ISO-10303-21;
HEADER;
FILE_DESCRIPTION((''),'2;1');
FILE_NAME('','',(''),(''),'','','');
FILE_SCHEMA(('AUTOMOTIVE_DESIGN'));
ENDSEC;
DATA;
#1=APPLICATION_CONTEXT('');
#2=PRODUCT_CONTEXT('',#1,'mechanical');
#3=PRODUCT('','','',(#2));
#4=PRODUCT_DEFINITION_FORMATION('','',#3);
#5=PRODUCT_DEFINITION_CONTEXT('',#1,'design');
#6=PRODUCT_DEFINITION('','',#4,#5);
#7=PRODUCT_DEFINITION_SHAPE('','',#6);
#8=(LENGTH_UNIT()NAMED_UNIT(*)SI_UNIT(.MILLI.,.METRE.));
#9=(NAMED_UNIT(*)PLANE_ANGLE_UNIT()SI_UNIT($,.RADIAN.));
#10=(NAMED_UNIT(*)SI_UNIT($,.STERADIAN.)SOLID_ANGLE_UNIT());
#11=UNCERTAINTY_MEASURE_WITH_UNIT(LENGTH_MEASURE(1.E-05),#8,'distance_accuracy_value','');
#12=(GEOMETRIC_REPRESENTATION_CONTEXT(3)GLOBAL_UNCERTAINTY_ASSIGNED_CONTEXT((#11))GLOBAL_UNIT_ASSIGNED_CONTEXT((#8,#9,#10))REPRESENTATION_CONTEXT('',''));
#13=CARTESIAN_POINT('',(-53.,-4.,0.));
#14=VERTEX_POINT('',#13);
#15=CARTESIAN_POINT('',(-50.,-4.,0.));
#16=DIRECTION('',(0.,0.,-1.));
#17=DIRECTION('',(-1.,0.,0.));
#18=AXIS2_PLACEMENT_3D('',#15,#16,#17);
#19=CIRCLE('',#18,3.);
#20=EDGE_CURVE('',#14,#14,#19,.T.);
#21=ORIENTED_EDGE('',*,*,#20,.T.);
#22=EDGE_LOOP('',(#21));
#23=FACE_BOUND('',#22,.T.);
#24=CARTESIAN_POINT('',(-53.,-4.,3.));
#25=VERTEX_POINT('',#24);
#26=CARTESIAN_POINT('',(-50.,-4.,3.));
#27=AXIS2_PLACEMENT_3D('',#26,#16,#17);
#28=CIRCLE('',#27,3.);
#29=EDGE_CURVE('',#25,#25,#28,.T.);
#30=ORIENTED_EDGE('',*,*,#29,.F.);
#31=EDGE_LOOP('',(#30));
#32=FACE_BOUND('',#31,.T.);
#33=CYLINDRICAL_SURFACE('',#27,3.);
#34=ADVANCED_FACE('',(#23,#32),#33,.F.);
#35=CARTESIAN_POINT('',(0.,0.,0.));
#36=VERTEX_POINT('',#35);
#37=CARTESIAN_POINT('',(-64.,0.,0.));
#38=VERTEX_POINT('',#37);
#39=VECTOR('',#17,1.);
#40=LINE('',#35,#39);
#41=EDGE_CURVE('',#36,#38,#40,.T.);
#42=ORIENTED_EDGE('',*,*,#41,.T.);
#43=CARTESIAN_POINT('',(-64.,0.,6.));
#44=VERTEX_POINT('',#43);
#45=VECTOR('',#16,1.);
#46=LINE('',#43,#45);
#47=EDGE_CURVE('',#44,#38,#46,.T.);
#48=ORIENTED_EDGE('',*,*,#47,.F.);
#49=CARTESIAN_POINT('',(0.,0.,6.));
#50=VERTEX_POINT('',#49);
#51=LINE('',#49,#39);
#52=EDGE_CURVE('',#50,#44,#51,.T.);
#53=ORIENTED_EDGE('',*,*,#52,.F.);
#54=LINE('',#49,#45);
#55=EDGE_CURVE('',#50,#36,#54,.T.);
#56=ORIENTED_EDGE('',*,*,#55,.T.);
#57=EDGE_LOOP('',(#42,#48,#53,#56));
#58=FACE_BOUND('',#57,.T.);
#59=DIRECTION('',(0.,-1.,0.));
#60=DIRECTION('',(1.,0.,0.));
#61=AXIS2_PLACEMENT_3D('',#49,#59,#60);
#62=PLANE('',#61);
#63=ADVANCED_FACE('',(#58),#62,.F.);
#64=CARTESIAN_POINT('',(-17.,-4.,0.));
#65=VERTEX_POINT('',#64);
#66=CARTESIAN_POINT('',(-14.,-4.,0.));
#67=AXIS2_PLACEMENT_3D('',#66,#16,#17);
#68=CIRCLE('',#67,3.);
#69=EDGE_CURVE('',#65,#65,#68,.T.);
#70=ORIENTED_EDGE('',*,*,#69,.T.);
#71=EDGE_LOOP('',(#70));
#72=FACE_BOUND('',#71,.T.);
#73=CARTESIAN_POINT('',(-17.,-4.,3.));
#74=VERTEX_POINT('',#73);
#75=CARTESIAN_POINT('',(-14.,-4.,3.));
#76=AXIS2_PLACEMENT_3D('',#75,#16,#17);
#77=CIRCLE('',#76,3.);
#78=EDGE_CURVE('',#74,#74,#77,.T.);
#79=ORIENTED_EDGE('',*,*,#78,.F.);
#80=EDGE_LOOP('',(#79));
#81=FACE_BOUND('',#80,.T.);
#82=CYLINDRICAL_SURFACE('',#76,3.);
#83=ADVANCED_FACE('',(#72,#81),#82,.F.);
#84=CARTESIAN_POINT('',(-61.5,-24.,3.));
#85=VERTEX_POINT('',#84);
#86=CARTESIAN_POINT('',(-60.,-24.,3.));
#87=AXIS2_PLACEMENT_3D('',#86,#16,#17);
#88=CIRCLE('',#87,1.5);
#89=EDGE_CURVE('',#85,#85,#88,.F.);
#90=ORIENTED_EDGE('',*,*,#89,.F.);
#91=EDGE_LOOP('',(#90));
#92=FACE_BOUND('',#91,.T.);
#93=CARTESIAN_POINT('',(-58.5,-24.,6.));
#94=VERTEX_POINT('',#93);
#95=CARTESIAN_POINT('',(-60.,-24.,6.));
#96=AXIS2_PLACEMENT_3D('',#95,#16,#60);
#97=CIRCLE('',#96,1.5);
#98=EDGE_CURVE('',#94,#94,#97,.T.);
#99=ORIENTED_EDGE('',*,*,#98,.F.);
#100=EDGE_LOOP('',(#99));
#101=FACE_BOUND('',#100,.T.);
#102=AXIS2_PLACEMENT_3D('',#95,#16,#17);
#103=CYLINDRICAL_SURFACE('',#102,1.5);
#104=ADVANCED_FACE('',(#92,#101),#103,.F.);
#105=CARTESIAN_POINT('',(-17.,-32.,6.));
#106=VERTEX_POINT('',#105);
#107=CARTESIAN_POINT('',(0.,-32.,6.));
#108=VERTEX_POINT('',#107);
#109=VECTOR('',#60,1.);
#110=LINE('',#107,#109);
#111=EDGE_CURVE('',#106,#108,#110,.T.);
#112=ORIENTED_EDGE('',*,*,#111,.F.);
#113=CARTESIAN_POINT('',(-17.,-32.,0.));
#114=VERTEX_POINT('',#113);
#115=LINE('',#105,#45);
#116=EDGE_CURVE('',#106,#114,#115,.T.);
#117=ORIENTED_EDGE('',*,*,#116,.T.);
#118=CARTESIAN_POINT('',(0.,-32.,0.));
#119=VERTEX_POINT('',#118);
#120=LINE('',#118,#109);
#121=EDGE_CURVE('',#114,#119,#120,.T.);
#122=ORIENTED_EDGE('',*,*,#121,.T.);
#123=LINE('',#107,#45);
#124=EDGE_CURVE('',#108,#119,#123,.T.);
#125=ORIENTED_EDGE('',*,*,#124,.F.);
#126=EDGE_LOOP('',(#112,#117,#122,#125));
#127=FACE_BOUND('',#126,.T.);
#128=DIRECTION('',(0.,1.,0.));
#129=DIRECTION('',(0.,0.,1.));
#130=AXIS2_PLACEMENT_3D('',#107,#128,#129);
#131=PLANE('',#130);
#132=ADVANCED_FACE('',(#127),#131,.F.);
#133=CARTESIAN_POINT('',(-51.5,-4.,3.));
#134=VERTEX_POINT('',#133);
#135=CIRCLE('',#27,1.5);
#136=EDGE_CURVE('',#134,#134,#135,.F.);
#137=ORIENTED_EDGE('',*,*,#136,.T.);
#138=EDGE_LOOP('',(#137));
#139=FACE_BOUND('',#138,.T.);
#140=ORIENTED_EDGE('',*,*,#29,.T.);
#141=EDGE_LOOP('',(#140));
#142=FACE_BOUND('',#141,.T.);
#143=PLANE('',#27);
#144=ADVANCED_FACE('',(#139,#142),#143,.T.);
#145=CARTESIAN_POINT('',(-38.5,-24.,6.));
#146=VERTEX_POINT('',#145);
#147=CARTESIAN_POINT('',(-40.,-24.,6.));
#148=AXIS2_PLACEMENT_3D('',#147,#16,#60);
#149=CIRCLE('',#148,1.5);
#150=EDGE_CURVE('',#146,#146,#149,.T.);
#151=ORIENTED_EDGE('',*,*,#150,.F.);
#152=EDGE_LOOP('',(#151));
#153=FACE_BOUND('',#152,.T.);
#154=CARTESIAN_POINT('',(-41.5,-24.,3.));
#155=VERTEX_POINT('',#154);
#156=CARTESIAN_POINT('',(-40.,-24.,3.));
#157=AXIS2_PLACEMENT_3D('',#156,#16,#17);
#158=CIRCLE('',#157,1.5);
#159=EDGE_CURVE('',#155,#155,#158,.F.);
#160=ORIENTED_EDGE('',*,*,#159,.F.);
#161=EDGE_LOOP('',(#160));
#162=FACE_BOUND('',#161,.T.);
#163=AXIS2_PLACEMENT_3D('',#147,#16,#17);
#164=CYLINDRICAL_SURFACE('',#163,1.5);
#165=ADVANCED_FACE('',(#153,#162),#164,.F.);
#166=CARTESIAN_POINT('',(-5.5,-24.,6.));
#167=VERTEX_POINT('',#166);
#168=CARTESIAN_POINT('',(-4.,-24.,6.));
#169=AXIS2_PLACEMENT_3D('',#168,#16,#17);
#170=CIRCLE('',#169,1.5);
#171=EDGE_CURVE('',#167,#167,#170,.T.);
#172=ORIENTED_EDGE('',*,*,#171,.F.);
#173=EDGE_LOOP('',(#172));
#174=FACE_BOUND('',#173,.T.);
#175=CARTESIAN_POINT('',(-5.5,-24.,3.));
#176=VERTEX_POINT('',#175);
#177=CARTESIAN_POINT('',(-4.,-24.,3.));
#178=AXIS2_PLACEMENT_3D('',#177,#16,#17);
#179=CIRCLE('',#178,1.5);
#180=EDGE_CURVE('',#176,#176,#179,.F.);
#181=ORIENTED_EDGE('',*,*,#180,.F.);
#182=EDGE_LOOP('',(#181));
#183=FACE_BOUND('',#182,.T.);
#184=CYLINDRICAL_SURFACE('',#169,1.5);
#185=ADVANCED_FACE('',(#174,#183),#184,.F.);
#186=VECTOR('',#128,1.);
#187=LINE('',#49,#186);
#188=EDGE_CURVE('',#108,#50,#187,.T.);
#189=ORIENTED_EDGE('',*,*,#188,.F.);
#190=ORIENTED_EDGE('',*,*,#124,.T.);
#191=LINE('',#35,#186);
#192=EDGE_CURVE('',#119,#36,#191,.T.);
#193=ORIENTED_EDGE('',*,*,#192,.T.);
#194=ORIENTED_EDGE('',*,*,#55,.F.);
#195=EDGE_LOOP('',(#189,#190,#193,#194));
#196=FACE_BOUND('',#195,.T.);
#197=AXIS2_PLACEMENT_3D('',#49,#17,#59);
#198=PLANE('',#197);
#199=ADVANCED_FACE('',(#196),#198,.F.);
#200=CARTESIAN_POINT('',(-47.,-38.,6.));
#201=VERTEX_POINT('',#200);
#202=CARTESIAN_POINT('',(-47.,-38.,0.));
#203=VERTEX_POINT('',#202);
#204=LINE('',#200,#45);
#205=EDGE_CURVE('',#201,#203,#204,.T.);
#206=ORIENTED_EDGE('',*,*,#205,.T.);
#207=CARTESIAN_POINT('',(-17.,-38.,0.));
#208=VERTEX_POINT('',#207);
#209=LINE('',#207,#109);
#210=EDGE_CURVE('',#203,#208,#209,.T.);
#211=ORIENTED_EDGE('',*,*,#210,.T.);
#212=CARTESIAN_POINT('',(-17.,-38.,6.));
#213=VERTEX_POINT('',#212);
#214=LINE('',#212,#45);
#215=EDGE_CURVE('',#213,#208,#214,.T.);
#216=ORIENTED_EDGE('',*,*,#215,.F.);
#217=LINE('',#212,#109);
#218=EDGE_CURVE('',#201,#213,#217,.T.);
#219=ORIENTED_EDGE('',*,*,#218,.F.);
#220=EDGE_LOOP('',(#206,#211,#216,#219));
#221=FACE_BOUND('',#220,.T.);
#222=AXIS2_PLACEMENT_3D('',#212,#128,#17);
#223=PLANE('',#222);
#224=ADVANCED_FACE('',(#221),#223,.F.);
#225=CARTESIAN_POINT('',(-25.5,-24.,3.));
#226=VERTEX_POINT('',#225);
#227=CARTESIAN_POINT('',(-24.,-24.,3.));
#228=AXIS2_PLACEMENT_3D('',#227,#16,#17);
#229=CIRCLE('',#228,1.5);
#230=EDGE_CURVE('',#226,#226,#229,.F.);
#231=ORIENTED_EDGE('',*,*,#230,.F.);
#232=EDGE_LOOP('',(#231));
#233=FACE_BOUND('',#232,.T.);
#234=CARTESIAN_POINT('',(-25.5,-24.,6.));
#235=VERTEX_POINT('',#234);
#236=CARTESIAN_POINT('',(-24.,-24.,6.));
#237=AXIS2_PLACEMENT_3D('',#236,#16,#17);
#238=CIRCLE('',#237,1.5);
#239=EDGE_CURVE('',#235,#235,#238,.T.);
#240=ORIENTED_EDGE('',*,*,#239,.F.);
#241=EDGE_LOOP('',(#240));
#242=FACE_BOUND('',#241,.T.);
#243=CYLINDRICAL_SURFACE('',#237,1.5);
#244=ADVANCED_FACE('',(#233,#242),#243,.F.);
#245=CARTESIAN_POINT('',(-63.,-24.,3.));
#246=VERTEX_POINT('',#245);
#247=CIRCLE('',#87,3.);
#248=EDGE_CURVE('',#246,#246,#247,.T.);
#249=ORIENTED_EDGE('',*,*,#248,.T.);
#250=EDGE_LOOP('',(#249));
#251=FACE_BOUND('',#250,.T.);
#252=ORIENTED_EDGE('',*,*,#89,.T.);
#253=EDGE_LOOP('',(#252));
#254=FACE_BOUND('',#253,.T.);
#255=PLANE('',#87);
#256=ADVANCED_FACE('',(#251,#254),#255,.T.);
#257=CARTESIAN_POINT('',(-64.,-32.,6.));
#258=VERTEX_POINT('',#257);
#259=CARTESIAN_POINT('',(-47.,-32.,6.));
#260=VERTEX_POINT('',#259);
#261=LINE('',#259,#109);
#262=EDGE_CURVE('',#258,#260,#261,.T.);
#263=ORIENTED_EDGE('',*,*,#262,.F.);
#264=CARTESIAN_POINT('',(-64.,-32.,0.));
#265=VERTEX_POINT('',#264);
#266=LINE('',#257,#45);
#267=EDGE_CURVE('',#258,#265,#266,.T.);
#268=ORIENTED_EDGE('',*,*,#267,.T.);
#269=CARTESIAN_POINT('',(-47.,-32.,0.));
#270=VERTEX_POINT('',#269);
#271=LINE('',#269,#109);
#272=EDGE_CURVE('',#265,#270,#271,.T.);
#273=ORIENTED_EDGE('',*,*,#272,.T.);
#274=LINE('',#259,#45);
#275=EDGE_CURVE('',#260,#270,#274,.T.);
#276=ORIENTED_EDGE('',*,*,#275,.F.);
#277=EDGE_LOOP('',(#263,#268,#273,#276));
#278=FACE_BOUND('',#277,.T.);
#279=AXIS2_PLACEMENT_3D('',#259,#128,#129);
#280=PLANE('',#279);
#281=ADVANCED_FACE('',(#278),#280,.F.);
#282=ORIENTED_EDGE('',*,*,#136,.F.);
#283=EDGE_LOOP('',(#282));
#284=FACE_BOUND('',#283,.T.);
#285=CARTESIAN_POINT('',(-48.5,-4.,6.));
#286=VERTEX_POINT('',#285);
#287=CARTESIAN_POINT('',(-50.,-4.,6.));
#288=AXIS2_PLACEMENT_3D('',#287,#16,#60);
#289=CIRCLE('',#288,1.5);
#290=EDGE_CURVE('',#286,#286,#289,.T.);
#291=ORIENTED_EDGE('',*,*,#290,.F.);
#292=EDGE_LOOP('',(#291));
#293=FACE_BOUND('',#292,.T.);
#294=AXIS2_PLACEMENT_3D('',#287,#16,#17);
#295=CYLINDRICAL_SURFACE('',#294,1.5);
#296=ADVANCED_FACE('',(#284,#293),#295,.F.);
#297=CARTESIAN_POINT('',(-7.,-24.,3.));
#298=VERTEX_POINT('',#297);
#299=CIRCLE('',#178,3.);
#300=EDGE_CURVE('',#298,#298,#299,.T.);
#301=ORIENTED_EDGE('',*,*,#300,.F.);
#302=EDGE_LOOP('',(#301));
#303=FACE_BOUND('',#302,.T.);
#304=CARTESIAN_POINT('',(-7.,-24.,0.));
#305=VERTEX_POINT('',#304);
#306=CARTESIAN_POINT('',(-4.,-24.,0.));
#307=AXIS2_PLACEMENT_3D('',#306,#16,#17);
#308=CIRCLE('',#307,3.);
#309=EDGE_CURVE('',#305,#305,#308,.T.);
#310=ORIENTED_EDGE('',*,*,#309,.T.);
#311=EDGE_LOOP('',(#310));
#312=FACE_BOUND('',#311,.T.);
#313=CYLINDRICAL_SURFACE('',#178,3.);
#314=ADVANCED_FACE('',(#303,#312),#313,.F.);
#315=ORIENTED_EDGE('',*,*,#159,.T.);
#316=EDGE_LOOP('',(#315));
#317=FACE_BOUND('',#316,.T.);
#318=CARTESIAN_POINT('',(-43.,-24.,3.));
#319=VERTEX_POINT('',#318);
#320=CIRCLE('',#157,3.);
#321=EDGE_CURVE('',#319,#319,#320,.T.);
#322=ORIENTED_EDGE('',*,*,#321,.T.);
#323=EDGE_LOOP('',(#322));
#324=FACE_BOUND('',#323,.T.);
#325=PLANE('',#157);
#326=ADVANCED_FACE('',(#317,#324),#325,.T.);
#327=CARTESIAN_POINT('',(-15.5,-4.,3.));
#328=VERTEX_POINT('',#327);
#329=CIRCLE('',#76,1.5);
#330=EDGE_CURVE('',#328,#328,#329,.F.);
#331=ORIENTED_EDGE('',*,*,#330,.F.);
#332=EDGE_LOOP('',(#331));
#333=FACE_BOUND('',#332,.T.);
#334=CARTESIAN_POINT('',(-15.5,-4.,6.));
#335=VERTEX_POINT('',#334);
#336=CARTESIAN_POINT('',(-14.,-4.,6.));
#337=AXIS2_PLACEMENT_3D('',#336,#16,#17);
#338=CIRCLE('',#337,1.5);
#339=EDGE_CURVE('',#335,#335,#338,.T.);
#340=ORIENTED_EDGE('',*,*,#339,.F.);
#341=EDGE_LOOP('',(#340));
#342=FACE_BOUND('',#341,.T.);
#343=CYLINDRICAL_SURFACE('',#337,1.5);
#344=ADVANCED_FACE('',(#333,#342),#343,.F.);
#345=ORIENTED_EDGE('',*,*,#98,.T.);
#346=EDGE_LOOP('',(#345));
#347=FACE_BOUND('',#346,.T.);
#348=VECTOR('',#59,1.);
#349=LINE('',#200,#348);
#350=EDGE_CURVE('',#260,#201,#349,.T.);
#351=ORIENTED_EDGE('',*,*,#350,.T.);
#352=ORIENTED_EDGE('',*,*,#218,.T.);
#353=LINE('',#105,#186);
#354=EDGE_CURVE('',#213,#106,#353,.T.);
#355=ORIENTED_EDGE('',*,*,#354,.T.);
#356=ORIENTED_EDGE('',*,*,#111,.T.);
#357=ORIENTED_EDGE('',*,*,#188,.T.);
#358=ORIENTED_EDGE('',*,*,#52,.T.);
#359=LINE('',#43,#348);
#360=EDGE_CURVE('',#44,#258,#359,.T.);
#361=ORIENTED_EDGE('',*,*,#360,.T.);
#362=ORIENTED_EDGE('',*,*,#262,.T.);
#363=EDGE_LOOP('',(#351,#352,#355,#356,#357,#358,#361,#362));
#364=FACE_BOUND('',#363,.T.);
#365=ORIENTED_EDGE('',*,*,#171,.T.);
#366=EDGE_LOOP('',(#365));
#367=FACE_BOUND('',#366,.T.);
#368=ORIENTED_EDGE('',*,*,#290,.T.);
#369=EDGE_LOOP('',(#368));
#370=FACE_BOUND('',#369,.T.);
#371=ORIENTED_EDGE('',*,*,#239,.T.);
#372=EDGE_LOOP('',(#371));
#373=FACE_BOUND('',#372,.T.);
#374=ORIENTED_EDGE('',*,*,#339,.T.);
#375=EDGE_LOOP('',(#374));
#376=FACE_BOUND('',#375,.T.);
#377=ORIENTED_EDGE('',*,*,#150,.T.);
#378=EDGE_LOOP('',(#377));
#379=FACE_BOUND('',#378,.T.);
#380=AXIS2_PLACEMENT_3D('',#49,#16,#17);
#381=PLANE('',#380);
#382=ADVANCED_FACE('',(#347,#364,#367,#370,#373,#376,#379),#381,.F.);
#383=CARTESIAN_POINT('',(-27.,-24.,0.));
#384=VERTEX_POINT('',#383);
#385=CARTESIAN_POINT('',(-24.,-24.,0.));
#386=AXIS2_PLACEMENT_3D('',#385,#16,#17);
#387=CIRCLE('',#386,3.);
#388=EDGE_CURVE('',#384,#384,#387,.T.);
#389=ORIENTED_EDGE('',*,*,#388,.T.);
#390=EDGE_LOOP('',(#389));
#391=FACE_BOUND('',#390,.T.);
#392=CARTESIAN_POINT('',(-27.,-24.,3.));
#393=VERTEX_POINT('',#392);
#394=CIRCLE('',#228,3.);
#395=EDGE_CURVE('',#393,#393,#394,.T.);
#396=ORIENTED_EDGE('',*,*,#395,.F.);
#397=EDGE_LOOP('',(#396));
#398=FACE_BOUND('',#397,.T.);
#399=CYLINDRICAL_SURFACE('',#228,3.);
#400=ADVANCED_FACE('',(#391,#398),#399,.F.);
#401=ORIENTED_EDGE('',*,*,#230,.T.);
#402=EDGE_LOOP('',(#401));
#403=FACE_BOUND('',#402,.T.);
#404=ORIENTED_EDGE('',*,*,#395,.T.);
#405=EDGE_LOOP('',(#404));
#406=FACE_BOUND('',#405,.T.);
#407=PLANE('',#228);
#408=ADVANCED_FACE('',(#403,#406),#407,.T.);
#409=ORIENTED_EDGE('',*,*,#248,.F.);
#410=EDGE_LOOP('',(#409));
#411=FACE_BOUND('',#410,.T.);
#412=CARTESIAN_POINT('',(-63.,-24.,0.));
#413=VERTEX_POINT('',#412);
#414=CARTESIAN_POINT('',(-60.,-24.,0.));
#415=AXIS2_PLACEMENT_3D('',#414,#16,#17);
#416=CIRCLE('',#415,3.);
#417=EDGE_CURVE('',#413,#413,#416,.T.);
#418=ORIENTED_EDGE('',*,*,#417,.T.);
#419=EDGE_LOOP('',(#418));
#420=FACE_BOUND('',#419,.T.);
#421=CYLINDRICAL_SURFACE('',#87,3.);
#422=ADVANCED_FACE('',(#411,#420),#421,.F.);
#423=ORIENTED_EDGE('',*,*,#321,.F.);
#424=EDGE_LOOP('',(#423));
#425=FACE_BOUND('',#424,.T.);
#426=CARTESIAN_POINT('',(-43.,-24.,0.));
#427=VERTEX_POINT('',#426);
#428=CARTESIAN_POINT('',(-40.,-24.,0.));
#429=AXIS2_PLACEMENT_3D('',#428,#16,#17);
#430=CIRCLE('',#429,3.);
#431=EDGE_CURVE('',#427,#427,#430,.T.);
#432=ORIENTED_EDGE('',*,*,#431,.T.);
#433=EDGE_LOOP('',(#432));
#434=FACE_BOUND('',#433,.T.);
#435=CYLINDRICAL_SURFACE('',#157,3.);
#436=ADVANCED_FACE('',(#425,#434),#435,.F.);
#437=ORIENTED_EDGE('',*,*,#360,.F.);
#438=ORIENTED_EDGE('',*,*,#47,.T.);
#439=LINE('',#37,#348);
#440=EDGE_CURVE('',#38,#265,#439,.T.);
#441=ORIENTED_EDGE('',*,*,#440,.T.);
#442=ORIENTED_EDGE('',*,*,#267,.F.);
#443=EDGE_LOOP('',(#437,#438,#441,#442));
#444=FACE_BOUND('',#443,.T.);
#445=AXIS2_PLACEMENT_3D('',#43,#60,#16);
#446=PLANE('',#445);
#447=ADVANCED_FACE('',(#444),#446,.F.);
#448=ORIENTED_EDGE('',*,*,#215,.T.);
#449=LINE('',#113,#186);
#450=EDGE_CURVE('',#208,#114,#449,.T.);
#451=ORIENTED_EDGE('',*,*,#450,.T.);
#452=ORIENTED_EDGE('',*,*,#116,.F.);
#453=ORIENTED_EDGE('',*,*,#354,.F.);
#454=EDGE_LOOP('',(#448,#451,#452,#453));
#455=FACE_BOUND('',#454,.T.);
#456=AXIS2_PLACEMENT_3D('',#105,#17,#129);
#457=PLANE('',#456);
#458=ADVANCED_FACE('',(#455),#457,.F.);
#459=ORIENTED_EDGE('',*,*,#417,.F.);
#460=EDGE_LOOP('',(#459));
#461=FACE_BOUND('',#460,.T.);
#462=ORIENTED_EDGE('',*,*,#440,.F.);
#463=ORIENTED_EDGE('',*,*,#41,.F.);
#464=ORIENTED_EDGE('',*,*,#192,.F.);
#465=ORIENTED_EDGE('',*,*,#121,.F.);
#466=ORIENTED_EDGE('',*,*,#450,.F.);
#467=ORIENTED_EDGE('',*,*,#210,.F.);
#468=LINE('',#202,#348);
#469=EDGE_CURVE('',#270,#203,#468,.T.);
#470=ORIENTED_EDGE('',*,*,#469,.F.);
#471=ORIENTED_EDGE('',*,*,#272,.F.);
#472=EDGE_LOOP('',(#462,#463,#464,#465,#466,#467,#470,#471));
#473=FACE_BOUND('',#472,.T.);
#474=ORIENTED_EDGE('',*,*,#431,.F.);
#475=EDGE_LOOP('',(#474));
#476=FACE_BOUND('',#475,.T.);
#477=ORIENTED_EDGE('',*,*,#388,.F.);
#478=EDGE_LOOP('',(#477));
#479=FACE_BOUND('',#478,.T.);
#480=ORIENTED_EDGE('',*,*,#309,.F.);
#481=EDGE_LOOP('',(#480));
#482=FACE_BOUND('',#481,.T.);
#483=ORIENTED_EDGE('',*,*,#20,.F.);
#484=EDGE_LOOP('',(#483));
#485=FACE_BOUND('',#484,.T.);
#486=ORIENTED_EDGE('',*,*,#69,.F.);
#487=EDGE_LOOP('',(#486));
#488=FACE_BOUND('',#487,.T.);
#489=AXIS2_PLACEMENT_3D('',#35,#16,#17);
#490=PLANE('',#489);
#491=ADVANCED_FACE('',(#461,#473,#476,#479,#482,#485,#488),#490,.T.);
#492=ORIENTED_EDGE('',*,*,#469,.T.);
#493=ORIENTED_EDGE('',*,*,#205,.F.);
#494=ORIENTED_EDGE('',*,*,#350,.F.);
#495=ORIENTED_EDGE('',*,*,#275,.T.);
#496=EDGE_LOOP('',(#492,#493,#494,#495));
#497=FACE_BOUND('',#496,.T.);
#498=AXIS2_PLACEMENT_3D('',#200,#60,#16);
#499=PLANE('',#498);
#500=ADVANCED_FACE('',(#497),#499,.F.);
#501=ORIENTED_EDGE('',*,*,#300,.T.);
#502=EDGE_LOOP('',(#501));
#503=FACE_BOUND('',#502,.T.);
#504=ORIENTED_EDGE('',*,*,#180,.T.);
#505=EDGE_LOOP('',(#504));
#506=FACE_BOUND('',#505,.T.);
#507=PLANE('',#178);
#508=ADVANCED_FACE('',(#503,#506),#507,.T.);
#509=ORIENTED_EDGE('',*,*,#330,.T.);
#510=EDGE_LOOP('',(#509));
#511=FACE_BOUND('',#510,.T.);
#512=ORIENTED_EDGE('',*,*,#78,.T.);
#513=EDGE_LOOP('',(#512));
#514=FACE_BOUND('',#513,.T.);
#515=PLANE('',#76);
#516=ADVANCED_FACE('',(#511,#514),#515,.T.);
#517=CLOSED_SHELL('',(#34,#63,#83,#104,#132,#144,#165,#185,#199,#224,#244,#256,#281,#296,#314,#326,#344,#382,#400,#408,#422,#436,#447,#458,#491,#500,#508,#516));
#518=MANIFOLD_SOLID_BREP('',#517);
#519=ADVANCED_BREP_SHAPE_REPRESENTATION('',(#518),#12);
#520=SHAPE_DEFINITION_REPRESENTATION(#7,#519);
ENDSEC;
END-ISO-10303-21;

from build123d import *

# Parameters (mm, degrees)
BOSS_EXTRU_1_DEPTH      = 6
ESQUISSE2_R             = 1.5
ENL_V_MAT_EXTRU_1_DEPTH = 75.67261881
ESQUISSE3_R             = 3
ENL_V_MAT_EXTRU_2_DEPTH = 3


with BuildPart() as part:
    # Esquisse1 → Boss.-Extru.1 (new body)
    with BuildSketch(Plane.XY):
        Polygon((0, -32), (-17, -32), (-17, -38), (-47, -38), (-47, -32), (-64, -32), (-64, 0), (0, 0), align=None)
    extrude(amount=BOSS_EXTRU_1_DEPTH)

    # Esquisse2 → Enlèv. mat.-Extru.1 (cut, through all)
    with BuildSketch(Plane(origin=(0, 0, 0), x_dir=(-1, 0, 0), z_dir=(0, 0, -1))):
        with Locations((14, -4)):
            Circle(ESQUISSE2_R)
        with Locations((4, -24)):
            Circle(ESQUISSE2_R)
        with Locations((24, -24)):
            Circle(ESQUISSE2_R)
        with Locations(Location((40, -24, 0), (0, 0, 180))):
            Circle(ESQUISSE2_R)
        with Locations(Location((60, -24, 0), (0, 0, 180))):
            Circle(ESQUISSE2_R)
        with Locations(Location((50, -4, 0), (0, 0, 180))):
            Circle(ESQUISSE2_R)
    extrude(amount=-ENL_V_MAT_EXTRU_1_DEPTH, mode=Mode.SUBTRACT)

    # Esquisse3 → Enlèv. mat.-Extru.2 (cut)
    with BuildSketch(Plane(origin=(0, 0, 0), x_dir=(-1, 0, 0), z_dir=(0, 0, -1))):
        with Locations((14, -4)):
            Circle(ESQUISSE3_R)
        with Locations((4, -24)):
            Circle(ESQUISSE3_R)
        with Locations((24, -24)):
            Circle(ESQUISSE3_R)
        with Locations((40, -24)):
            Circle(ESQUISSE3_R)
        with Locations((60, -24)):
            Circle(ESQUISSE3_R)
        with Locations((50, -4)):
            Circle(ESQUISSE3_R)
    extrude(amount=-ENL_V_MAT_EXTRU_2_DEPTH, mode=Mode.SUBTRACT)


solid = part.part
